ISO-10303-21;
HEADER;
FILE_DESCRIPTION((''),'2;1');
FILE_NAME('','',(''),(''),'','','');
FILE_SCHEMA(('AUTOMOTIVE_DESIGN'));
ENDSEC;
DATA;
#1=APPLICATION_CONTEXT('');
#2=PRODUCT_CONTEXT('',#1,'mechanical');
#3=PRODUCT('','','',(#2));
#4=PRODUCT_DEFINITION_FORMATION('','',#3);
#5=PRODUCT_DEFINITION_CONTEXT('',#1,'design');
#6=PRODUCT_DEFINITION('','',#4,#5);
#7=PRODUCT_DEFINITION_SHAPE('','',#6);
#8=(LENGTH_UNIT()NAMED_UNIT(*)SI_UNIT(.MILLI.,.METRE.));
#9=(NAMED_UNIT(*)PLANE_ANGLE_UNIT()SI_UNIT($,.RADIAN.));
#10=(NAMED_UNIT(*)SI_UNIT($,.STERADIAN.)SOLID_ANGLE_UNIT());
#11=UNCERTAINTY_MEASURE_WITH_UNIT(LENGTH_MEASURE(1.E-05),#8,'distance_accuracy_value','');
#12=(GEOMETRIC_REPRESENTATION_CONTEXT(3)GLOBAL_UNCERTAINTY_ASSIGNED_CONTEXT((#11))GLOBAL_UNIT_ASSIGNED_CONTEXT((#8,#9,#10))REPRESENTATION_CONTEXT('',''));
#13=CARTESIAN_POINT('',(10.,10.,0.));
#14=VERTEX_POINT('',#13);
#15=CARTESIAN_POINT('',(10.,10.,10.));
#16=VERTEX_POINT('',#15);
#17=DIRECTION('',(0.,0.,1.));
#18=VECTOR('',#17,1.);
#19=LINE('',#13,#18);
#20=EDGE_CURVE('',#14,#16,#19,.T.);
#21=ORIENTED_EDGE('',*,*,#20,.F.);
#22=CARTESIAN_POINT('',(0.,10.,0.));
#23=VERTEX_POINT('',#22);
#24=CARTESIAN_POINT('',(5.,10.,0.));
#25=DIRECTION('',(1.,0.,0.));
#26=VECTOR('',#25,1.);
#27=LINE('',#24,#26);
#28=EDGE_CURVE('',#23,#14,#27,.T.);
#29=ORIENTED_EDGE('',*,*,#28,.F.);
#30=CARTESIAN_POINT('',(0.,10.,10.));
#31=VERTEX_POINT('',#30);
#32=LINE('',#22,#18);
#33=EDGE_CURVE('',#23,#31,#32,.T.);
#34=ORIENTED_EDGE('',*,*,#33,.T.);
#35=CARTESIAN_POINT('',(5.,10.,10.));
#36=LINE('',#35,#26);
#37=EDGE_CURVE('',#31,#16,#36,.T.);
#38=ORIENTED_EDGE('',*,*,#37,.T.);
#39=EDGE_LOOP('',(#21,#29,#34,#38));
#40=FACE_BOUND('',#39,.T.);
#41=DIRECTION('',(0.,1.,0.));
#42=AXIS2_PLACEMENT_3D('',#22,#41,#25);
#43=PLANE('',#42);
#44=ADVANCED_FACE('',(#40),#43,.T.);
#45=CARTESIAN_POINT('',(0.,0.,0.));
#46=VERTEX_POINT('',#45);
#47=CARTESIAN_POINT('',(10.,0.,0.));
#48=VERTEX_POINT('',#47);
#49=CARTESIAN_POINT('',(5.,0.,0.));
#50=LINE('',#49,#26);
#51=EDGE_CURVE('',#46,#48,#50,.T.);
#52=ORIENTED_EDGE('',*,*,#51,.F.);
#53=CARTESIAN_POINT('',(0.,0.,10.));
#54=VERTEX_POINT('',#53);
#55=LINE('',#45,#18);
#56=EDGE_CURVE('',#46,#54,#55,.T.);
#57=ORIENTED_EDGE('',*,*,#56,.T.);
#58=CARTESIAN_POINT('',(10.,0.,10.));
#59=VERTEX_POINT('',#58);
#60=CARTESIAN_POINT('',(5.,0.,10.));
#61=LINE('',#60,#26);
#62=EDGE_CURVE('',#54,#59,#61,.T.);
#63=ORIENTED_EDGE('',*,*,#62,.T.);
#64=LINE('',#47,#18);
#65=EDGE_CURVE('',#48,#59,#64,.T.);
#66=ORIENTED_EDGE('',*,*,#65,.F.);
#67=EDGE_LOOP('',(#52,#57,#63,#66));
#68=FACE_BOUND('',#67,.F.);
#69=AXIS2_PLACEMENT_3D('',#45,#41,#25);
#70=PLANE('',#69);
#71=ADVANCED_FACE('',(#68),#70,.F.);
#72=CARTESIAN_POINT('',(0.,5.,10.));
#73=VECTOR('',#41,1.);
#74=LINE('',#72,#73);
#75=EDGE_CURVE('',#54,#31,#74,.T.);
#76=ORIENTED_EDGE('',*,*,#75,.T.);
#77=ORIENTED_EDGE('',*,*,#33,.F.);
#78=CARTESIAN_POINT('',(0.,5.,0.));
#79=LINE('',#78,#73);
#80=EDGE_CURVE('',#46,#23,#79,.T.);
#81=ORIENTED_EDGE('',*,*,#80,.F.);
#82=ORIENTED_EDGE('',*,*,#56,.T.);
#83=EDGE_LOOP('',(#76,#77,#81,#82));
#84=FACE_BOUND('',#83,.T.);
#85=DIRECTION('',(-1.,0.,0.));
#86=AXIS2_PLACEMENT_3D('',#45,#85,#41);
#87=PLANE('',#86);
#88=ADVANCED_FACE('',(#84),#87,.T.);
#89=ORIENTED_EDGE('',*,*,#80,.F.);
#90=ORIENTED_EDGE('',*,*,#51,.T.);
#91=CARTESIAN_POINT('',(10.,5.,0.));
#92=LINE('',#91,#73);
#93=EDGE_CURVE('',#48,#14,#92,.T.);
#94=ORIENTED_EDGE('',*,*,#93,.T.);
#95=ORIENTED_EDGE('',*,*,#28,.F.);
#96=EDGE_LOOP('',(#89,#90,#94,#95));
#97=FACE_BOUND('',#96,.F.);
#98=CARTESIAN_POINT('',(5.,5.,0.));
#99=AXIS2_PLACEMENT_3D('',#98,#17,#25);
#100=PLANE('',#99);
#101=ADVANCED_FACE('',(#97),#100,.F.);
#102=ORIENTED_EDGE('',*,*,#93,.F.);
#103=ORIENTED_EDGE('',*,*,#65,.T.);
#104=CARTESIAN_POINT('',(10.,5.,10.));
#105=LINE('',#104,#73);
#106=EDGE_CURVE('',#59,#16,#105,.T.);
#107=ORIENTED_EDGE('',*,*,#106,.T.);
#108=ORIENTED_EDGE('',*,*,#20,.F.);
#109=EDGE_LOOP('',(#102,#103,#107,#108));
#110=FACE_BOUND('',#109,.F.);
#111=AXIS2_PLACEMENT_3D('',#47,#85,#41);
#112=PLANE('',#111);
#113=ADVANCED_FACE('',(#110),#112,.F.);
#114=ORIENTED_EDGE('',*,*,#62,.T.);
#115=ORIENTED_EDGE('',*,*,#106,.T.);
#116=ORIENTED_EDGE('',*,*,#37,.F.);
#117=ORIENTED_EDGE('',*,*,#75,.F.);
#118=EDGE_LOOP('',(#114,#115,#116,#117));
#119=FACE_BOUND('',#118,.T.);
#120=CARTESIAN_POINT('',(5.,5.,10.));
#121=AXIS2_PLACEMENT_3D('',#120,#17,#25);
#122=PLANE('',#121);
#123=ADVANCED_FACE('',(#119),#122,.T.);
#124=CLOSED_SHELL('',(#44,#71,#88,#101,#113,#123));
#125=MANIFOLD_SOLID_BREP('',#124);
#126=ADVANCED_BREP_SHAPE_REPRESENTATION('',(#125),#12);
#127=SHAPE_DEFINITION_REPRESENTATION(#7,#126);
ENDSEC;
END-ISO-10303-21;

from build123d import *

# Parameters (mm, degrees)
SKETCH2_W           = 10
SKETCH2_H           = 10
BOSS_EXTRUDE2_DEPTH = 10


with BuildPart() as part:
    # Sketch2 → Boss-Extrude2 (new body)
    with BuildSketch(Plane.XY):
        with Locations((5, 5)):
            Rectangle(SKETCH2_W, SKETCH2_H)
    extrude(amount=BOSS_EXTRUDE2_DEPTH)


solid = part.part
